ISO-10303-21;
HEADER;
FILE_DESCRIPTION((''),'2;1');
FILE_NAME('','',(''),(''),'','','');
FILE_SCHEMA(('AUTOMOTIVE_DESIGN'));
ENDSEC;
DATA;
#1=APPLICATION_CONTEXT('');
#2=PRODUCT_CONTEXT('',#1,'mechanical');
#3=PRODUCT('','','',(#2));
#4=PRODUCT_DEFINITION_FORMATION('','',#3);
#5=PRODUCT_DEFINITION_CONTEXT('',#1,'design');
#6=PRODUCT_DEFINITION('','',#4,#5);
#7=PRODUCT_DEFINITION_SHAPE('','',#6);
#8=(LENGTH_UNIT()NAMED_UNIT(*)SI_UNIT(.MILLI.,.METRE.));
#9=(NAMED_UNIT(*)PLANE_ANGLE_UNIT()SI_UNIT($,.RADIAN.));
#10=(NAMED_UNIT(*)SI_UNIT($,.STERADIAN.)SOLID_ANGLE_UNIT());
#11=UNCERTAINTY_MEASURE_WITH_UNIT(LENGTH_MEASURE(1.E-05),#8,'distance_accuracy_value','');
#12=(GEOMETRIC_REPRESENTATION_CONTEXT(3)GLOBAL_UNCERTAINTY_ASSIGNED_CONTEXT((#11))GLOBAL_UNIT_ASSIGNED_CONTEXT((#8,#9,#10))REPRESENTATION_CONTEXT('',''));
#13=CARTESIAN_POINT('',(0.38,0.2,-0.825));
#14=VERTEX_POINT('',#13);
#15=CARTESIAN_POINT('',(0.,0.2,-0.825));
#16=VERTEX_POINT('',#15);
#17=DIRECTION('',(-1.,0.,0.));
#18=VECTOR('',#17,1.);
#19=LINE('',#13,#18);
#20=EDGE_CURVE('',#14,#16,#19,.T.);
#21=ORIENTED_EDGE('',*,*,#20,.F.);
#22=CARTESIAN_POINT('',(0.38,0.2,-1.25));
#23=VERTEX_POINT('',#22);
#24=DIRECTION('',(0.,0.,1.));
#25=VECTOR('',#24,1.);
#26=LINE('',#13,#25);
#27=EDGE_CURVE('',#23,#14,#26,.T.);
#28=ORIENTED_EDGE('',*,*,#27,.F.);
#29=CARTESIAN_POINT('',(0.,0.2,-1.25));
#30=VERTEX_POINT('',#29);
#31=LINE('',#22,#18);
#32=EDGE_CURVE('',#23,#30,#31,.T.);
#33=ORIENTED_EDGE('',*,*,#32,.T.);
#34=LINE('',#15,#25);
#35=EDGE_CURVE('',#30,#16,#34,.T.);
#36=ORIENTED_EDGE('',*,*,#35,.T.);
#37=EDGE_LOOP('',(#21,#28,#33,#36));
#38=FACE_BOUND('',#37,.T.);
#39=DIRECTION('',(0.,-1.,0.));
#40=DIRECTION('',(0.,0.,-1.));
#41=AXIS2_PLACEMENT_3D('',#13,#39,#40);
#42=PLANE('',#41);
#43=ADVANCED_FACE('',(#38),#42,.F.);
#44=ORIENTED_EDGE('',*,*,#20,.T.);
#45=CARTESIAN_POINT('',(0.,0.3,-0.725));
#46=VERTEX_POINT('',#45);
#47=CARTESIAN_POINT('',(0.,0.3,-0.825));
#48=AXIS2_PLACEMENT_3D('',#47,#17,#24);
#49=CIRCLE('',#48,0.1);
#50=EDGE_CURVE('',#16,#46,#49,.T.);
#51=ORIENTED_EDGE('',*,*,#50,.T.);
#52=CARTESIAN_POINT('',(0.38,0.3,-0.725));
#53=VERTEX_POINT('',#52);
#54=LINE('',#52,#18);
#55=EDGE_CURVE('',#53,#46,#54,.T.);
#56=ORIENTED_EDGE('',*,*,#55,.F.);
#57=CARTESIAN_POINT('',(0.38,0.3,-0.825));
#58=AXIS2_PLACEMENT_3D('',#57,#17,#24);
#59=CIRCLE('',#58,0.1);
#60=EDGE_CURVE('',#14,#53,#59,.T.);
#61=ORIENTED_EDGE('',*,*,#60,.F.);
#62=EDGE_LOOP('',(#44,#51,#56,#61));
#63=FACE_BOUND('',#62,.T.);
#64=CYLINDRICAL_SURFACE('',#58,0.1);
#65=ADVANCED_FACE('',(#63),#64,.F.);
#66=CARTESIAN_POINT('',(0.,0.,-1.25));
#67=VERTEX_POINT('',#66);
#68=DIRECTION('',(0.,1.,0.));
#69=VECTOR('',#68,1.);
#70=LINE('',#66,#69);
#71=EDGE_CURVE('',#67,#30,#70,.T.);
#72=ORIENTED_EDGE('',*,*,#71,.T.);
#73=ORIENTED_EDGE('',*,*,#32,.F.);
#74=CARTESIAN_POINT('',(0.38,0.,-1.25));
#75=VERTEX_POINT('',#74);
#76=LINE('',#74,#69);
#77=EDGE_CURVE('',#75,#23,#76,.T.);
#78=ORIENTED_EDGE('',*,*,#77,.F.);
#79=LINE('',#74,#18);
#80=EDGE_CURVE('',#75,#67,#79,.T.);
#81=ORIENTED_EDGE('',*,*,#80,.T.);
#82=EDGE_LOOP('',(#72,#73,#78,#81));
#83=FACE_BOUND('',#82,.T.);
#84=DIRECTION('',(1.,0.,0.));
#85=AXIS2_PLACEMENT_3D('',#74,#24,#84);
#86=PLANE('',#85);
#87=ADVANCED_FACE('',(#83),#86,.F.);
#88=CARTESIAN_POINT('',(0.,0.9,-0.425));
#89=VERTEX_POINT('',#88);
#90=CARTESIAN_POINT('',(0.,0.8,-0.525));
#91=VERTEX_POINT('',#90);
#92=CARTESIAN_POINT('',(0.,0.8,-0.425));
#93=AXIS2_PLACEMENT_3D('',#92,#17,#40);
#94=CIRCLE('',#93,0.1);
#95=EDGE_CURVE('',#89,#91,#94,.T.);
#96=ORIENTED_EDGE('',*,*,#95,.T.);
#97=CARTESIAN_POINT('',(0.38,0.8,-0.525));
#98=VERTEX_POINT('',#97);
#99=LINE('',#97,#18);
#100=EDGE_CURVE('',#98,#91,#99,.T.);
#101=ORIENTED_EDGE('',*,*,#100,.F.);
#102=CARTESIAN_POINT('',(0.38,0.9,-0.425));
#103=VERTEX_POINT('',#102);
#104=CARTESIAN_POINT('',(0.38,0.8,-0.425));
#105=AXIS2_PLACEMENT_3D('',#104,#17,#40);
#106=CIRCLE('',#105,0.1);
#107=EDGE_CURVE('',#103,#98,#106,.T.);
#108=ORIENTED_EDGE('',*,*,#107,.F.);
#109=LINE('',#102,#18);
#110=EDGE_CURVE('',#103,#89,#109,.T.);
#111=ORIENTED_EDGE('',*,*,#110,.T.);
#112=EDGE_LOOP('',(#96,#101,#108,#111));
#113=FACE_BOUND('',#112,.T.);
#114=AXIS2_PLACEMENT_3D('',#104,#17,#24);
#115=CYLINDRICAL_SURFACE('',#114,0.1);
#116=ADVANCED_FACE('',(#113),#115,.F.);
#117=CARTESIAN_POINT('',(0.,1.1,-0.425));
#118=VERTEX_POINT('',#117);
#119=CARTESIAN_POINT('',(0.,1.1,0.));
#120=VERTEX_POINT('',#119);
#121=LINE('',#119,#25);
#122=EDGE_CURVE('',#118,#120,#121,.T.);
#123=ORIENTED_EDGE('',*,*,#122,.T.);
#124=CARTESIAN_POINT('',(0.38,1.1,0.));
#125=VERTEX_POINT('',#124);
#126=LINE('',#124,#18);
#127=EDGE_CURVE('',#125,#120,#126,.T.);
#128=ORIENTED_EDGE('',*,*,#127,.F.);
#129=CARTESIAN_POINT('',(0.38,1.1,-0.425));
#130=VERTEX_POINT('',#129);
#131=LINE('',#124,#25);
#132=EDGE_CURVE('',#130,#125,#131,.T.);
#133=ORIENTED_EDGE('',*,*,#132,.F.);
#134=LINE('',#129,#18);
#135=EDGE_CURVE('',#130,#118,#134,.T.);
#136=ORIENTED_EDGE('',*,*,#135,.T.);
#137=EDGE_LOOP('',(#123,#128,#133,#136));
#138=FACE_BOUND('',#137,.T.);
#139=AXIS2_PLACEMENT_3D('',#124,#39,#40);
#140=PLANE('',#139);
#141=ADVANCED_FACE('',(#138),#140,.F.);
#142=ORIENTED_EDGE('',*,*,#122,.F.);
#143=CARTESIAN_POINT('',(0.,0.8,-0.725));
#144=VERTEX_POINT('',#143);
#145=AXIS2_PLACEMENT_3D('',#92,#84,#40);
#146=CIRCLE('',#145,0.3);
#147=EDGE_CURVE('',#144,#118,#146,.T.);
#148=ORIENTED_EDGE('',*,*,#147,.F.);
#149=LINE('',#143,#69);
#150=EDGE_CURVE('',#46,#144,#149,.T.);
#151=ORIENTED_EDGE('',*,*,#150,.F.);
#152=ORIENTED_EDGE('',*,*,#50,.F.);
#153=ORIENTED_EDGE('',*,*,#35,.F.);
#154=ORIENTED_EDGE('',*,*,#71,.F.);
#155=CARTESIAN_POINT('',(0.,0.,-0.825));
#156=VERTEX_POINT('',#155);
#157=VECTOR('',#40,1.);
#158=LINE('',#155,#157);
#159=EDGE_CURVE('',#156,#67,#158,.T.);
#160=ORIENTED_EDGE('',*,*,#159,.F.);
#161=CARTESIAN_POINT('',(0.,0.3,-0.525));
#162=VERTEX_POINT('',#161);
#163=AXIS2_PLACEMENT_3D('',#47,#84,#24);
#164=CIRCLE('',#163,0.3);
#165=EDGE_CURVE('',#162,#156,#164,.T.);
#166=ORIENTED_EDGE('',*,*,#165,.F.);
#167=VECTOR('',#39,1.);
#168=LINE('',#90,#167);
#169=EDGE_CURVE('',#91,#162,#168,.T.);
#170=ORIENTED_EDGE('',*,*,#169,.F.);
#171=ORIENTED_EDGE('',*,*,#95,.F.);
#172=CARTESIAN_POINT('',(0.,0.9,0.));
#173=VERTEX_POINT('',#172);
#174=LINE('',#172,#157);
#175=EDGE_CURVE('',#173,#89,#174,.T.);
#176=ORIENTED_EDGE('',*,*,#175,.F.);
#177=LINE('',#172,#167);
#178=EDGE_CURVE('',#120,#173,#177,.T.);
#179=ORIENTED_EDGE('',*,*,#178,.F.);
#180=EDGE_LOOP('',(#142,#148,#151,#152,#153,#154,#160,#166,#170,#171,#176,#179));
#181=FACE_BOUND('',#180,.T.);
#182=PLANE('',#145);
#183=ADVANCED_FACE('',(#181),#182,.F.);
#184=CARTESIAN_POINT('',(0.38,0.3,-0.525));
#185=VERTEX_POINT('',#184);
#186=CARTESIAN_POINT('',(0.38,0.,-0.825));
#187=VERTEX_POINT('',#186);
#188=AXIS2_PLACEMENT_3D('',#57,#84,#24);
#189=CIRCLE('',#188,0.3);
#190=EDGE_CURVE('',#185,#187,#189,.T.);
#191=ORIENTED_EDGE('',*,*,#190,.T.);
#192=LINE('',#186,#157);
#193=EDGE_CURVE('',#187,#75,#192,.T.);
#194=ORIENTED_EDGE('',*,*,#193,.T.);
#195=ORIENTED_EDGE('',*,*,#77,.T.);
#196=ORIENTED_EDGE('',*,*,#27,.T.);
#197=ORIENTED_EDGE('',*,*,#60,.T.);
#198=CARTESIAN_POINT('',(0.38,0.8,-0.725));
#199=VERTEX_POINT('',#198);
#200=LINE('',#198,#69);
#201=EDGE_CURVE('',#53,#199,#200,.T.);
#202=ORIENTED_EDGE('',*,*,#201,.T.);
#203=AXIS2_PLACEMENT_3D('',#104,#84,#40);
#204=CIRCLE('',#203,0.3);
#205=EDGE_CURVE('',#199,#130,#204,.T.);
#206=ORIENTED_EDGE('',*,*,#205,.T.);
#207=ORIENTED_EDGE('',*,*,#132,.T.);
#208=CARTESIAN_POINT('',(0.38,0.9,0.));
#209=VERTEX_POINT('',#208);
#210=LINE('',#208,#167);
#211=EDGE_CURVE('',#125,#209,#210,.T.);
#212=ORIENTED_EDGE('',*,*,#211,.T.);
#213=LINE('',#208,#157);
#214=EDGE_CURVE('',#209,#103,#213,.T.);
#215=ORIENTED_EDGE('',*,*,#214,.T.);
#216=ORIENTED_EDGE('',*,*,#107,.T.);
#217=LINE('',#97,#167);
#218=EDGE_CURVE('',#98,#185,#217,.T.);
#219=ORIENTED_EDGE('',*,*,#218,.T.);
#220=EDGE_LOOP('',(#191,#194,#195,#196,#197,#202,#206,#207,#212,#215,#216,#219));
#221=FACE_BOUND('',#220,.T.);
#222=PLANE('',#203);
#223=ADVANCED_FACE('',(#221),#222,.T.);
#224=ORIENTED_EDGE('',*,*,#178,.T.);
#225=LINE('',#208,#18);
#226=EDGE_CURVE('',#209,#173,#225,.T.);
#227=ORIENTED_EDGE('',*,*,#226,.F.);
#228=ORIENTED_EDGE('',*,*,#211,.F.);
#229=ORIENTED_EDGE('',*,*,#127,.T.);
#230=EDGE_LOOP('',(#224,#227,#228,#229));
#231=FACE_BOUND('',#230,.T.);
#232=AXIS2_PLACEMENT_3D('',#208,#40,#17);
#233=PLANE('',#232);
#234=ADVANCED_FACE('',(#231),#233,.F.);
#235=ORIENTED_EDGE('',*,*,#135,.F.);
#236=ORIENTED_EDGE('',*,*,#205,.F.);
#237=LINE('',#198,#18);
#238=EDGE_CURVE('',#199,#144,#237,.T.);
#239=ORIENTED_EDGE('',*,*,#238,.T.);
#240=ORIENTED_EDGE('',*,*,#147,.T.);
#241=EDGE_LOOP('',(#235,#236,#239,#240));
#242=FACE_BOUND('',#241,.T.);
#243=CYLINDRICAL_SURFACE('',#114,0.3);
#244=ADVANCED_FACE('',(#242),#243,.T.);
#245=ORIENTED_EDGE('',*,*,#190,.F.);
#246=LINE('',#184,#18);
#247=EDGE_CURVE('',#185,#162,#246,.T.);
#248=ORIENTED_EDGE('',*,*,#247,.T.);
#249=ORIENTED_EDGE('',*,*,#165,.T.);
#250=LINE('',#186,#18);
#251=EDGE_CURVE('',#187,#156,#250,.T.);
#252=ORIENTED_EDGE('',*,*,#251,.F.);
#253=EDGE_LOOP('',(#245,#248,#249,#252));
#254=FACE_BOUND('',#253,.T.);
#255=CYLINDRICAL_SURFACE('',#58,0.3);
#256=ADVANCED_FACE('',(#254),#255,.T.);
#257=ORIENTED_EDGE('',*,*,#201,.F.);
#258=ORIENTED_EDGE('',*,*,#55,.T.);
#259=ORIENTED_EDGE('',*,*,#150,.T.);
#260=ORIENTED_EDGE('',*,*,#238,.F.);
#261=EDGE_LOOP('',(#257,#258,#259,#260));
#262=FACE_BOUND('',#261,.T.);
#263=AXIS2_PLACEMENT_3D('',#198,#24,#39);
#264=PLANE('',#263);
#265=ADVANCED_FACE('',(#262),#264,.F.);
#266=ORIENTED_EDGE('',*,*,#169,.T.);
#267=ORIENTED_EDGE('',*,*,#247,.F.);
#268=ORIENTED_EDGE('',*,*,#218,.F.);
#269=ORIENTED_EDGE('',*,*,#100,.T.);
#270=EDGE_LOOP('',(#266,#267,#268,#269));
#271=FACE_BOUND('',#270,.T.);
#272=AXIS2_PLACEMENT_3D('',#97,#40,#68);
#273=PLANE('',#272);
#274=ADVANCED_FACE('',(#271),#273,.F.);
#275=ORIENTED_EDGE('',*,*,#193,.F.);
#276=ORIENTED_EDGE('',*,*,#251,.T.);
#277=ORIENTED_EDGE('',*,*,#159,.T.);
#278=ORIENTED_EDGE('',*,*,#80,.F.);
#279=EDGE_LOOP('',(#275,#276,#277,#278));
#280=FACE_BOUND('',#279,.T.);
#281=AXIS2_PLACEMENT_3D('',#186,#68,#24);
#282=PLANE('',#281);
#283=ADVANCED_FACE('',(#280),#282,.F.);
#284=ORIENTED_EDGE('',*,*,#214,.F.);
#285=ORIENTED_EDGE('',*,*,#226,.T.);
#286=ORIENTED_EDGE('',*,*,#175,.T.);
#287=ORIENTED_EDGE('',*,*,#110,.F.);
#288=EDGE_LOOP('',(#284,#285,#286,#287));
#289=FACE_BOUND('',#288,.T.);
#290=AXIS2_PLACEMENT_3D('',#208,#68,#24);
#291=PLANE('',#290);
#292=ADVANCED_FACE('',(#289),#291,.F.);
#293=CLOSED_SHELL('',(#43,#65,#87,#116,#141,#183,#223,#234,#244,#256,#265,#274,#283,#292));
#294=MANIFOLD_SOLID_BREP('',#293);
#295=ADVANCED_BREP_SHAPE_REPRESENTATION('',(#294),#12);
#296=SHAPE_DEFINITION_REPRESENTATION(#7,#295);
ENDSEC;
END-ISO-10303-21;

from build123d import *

# Parameters (mm, degrees)
EXTRUDE1_DEPTH = 0.38


with BuildPart() as part:
    # Sketch2 → Extrude1 (new body)
    with BuildSketch(Plane(origin=(0, 0, 0), x_dir=(0, 0, -1), z_dir=(1, 0, 0))):
        with BuildLine():
            Line((0, 0.9), (0.425, 0.9))
            ThreePointArc((0.425, 0.9), (0.495710678, 0.870710678), (0.525, 0.8))
            Line((0.525, 0.8), (0.525, 0.3))
            ThreePointArc((0.525, 0.3), (0.612867966, 0.087867966), (0.825, 0))
            Line((0.825, 0), (1.25, 0))
            Line((1.25, 0), (1.25, 0.2))
            Line((1.25, 0.2), (0.825, 0.2))
            ThreePointArc((0.825, 0.2), (0.754289322, 0.229289322), (0.725, 0.3))
            Line((0.725, 0.3), (0.725, 0.8))
            ThreePointArc((0.725, 0.8), (0.637132034, 1.012132034), (0.425, 1.1))
            Line((0.425, 1.1), (0, 1.1))
            Line((0, 1.1), (0, 0.9))
        make_face()
    extrude(amount=EXTRUDE1_DEPTH)


solid = part.part
